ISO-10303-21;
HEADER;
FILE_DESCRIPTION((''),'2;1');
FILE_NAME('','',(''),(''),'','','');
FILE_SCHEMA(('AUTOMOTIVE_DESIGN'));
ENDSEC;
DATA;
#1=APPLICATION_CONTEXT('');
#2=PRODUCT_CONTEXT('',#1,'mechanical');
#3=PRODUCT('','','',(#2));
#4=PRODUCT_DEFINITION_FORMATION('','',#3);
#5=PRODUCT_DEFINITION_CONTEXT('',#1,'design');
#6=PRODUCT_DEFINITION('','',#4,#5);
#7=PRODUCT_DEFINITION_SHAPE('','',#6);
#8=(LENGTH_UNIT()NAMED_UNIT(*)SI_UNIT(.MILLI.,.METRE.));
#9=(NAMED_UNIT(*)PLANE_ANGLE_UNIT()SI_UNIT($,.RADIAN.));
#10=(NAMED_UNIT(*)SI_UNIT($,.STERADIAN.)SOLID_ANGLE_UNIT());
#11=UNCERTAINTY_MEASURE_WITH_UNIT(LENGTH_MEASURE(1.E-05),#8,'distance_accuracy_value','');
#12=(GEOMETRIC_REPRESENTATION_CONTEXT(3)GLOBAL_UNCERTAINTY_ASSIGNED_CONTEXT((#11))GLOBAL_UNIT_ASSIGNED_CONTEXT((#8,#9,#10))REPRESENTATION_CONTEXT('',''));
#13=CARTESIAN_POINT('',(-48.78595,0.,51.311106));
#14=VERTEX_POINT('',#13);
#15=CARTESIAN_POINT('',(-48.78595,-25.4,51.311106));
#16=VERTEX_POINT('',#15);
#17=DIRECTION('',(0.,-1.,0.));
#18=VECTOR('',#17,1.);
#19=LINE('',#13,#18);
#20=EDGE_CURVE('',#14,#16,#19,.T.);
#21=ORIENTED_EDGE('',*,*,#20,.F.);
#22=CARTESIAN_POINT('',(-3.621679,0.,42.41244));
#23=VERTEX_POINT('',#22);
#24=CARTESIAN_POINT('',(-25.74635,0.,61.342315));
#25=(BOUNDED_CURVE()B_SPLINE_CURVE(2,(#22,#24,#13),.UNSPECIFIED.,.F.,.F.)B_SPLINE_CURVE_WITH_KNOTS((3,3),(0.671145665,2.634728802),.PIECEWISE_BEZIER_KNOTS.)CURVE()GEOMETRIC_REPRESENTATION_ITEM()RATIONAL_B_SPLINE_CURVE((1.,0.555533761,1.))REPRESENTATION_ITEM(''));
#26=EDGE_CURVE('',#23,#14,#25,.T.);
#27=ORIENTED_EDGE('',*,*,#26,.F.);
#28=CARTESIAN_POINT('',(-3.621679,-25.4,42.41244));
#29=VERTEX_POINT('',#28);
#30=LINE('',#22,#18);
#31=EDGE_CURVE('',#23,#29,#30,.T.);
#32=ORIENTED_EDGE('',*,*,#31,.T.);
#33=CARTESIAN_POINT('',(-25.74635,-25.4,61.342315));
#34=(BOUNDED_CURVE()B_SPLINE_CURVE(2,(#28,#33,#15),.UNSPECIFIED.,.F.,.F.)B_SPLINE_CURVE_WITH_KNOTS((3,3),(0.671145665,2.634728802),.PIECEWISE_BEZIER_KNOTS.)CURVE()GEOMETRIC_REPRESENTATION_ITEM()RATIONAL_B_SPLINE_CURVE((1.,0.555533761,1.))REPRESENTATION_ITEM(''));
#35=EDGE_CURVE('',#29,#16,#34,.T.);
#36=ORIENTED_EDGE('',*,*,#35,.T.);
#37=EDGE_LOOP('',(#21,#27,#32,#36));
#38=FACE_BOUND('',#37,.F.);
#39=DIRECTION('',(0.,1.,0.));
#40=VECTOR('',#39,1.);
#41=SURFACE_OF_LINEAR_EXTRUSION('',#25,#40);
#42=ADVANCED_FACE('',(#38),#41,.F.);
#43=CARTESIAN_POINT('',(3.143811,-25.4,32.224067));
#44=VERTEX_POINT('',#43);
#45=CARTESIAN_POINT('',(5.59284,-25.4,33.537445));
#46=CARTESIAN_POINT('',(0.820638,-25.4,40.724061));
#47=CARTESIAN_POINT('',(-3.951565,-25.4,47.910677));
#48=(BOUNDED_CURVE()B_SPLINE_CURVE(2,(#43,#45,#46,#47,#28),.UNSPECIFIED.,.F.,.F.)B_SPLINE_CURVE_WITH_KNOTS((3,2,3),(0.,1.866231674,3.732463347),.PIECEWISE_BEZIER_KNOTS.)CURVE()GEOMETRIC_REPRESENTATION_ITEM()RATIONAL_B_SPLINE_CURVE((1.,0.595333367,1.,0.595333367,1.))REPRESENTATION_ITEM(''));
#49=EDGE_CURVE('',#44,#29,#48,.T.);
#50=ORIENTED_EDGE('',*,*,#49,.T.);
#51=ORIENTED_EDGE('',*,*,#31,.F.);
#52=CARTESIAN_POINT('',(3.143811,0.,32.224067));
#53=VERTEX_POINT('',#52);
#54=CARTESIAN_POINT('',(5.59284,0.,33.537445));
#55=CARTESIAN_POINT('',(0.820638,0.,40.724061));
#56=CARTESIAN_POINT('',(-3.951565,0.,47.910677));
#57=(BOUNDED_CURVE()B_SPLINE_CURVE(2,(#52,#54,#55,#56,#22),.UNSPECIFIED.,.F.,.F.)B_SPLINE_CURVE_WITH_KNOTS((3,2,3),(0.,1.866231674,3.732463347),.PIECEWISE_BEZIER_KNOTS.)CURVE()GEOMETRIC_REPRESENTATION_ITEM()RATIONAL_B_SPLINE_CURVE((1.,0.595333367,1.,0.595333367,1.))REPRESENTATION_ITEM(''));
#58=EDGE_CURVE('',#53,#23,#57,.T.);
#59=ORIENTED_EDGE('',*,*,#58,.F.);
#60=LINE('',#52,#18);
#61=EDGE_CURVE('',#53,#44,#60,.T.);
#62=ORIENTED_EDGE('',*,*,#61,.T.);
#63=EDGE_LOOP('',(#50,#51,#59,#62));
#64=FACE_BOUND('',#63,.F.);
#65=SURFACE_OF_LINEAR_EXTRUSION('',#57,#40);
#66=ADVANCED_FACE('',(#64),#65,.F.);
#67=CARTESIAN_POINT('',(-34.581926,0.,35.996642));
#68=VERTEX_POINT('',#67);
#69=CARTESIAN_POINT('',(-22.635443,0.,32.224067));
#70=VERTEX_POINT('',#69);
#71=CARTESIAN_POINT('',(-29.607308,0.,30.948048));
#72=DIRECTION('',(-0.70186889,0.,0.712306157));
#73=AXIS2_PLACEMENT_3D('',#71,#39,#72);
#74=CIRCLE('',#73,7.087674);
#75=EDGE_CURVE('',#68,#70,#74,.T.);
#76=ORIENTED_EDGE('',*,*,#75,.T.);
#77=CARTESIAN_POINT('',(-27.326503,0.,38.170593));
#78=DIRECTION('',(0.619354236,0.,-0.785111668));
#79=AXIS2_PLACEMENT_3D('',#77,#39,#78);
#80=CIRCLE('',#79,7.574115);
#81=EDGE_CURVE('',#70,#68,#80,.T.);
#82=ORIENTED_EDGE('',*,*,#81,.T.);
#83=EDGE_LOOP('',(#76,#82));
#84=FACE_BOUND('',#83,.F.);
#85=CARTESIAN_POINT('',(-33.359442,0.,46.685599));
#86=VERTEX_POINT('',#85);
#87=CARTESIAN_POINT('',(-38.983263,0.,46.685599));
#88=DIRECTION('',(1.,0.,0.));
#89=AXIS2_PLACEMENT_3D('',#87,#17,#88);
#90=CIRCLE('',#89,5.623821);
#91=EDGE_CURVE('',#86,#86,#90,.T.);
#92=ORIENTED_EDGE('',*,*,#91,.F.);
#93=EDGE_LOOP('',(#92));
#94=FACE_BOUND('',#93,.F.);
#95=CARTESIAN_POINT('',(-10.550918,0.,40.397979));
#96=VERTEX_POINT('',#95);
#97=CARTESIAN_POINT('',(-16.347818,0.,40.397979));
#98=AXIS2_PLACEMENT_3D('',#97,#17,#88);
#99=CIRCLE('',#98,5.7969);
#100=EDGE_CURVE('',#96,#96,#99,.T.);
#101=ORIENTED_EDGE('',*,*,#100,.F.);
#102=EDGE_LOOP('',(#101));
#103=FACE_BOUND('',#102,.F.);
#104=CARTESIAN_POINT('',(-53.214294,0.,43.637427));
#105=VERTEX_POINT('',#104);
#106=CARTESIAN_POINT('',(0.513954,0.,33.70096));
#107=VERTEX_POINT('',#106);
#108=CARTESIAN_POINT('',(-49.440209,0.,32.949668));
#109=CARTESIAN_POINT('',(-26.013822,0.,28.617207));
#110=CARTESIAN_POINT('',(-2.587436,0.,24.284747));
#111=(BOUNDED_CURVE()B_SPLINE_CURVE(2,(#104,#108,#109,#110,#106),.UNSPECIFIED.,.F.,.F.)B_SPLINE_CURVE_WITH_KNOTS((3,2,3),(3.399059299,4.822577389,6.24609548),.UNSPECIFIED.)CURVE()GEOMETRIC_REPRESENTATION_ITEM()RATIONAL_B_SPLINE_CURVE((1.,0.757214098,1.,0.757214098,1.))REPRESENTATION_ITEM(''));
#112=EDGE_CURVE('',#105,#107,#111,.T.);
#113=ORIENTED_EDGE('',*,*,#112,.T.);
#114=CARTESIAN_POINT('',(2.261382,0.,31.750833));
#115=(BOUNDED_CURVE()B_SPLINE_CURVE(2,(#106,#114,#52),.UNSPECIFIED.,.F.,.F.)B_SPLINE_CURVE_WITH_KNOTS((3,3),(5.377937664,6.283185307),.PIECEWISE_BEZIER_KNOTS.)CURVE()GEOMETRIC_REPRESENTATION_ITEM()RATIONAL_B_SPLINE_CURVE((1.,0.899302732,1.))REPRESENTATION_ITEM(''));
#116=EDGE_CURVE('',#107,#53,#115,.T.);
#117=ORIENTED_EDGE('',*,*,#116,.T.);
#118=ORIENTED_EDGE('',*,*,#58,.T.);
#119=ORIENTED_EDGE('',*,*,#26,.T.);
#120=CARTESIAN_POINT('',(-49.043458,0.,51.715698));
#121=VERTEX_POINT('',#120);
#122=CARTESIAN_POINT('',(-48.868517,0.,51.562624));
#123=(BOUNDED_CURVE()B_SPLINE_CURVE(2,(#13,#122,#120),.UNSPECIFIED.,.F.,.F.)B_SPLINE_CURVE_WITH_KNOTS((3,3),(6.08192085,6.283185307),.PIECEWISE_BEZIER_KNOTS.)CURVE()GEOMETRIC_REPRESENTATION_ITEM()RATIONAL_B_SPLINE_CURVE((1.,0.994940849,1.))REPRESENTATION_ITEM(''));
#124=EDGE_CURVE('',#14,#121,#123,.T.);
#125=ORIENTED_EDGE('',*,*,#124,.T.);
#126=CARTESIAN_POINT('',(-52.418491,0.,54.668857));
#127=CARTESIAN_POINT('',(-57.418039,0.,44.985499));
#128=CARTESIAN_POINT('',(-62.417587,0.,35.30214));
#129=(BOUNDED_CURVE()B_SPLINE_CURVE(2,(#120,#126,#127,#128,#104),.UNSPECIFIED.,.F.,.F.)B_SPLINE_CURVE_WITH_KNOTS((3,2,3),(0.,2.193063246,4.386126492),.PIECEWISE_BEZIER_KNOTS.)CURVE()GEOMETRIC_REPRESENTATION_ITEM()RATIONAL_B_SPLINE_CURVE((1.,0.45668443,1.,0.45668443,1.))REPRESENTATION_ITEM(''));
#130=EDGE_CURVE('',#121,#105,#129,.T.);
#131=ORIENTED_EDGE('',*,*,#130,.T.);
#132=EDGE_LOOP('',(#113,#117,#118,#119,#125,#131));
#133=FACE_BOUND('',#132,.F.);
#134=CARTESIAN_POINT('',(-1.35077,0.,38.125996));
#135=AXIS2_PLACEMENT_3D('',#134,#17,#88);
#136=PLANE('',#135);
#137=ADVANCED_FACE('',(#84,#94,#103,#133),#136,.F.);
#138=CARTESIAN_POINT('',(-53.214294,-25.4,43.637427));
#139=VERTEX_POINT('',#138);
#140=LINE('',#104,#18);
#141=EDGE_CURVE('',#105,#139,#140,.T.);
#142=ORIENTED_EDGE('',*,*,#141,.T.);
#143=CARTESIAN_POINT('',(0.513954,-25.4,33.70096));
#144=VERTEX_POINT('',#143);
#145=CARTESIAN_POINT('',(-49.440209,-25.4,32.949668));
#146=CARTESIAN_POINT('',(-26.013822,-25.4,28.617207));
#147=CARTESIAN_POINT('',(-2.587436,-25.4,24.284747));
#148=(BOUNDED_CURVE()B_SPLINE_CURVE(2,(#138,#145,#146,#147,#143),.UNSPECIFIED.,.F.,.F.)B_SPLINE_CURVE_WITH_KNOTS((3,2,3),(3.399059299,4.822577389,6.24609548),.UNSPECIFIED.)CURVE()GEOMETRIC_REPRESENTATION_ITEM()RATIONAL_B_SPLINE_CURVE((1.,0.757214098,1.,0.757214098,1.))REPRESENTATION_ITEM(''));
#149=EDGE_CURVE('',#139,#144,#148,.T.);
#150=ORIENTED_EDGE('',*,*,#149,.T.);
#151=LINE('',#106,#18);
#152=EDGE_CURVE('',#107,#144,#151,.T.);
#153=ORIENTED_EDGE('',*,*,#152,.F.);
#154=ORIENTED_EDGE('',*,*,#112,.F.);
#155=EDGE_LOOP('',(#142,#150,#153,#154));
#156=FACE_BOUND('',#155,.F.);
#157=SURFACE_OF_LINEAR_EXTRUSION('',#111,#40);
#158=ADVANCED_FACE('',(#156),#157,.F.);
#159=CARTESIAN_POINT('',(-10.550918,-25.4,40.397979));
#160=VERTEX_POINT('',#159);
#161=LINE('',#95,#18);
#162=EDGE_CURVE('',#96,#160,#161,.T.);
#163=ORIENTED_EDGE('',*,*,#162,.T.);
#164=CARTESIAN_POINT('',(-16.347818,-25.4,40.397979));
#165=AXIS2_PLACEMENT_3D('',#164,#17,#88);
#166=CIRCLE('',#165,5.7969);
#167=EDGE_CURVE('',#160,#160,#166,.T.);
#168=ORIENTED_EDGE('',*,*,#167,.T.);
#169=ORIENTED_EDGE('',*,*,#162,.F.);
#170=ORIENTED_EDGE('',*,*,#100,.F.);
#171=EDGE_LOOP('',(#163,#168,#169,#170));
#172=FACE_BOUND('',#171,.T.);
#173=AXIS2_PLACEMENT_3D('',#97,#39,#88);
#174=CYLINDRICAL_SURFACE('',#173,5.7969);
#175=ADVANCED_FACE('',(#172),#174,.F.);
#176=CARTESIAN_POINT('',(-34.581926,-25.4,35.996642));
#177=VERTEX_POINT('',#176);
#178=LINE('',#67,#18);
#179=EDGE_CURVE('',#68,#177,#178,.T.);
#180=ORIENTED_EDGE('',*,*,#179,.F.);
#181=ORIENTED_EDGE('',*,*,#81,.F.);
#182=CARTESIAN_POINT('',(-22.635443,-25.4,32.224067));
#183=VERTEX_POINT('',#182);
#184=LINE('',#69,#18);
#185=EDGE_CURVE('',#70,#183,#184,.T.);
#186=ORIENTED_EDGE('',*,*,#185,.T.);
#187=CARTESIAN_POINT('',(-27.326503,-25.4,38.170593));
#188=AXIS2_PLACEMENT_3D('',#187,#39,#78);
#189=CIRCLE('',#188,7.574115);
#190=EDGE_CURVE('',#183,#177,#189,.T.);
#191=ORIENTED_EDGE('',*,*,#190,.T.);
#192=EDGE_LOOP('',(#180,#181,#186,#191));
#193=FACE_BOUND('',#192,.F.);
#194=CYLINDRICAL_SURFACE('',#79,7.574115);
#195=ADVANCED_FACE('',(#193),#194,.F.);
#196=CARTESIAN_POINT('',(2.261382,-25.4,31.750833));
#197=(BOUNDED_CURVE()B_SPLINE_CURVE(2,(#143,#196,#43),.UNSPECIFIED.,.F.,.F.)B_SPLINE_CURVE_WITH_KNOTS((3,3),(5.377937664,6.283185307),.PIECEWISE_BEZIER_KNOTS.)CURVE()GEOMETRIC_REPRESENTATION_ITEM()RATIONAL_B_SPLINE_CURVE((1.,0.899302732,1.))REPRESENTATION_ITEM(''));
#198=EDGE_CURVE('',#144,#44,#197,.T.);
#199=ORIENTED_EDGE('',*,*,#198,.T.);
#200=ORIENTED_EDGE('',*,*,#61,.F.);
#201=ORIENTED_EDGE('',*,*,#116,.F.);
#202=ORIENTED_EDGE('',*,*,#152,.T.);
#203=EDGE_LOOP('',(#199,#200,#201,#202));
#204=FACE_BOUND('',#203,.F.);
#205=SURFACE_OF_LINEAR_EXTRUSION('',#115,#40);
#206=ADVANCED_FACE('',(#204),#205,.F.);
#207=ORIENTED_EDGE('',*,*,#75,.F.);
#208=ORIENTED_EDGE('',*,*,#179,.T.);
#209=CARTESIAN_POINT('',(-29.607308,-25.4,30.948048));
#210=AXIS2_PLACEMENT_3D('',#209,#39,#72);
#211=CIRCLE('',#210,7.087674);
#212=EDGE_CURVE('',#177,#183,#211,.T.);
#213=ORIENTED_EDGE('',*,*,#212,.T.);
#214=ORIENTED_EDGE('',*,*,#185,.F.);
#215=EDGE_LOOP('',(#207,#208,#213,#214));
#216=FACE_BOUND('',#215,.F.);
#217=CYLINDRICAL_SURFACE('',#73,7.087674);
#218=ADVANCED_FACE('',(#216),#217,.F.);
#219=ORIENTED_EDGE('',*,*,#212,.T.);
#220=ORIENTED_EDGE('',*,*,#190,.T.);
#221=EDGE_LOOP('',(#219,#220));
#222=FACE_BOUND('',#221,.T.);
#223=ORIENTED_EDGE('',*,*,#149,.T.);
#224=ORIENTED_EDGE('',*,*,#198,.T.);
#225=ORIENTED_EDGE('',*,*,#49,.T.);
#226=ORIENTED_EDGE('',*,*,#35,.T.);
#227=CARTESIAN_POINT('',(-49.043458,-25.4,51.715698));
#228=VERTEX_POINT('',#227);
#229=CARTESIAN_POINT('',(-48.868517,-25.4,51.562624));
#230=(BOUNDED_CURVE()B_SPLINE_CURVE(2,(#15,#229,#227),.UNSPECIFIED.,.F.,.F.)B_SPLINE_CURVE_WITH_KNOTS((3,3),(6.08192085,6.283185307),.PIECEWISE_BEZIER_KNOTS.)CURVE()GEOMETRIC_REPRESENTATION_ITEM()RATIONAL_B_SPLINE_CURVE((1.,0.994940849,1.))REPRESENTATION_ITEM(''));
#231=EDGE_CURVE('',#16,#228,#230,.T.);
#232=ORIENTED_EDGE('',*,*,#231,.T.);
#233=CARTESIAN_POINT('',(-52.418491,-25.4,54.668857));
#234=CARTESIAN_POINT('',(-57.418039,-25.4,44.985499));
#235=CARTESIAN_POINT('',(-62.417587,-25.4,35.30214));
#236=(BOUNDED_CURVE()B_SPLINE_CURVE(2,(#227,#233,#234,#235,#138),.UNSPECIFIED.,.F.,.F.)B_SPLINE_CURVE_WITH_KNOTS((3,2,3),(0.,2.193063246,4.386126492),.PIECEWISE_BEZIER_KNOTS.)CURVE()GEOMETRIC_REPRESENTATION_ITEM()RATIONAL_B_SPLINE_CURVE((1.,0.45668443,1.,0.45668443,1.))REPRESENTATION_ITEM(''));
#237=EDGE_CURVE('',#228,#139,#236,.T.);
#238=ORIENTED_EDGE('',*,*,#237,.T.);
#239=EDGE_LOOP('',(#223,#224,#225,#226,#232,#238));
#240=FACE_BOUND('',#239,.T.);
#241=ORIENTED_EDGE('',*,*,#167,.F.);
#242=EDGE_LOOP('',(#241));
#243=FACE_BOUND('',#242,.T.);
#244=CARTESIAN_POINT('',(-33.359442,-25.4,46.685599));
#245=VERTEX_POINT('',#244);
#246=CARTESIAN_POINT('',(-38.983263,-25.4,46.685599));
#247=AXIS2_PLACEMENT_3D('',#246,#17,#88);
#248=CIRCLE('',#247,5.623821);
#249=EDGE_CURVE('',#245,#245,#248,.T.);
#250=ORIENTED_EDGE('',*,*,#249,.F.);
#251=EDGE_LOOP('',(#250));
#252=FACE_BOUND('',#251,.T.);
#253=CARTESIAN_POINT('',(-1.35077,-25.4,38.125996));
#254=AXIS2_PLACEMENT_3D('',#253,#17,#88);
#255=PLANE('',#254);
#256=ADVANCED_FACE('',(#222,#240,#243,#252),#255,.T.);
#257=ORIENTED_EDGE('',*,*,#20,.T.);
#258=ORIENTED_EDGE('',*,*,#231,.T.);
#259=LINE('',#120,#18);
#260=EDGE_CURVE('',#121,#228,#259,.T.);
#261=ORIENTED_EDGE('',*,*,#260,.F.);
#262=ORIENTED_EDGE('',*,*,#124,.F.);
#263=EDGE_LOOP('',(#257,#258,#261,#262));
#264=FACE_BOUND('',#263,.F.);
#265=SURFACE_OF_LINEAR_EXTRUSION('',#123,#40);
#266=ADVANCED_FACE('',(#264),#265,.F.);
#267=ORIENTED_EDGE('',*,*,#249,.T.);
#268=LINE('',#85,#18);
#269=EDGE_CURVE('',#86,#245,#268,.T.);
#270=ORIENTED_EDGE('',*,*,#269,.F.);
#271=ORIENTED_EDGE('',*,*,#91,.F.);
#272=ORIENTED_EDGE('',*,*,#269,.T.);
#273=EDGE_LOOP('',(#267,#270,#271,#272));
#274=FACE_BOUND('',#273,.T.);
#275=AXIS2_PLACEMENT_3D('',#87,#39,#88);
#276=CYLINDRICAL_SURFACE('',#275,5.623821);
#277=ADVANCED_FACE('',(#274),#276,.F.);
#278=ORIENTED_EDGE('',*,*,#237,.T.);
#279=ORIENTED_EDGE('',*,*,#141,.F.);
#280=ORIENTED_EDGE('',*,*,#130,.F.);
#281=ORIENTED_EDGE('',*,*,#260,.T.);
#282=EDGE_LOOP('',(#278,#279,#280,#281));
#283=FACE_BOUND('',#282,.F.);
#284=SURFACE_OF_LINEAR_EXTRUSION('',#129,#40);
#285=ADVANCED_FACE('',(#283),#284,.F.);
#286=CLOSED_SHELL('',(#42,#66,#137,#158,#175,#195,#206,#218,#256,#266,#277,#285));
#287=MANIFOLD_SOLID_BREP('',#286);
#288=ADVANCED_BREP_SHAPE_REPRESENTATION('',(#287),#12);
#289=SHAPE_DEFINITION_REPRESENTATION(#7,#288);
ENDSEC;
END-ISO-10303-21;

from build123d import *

# Parameters (mm, degrees)
F0_R     = 5.623821154
F0_R_2   = 5.7969004421
F1_DEPTH = 25.4


with BuildPart() as f1:
    # F0 (on Front) → F1 (new body)
    with BuildSketch(Plane.XZ):
        with BuildLine():
            add(Edge.make_bspline(
                [(0.513953933, 33.7009599132), (0.5806385314, 33.9034228433), (0.6287617143, 34.110352397)],
                knots=[6.2460954795, 6.2460954795, 6.2460954795, 6.2831853072, 6.2831853072, 6.2831853072], degree=2, weights=[1, 0.999828048, 1]))
            add(Edge.make_bspline(
                [(0.6287617143, 34.110352397), (1.5336829013, 38.0015110013), (-3.6216792375, 42.4124403142)],
                knots=[0, 0, 0, 0.6711456646, 0.6711456646, 0.6711456646], degree=2, weights=[1, 0.9442218251, 1]))
            add(Edge.make_bspline(
                [(-3.6216792375, 42.4124403142), (-3.3582820184, 38.0223684233), (0.513953933, 33.7009599132)],
                knots=[3.7324633472, 3.7324633472, 3.7324633472, 5.3779376636, 5.3779376636, 5.3779376636], degree=2, weights=[1, 0.6802173924, 1]))
        make_face()
        with BuildLine():
            add(Edge.make_bspline(
                [(0.6287617143, 34.110352397), (1.5336829013, 38.0015110013), (-3.6216792375, 42.4124403142)],
                knots=[0, 0, 0, 0.6711456646, 0.6711456646, 0.6711456646], degree=2, weights=[1, 0.9442218251, 1]))
            add(Edge.make_bspline(
                [(0.513953933, 33.7009599132), (0.5806385314, 33.9034228433), (0.6287617143, 34.110352397)],
                knots=[6.2460954795, 6.2460954795, 6.2460954795, 6.2831853072, 6.2831853072, 6.2831853072], degree=2, weights=[1, 0.999828048, 1]))
            add(Edge.make_bspline(
                [(0.513953933, 33.7009599132), (2.261382433, 31.750832781), (3.1438113656, 32.2240665555)],
                knots=[5.3779376636, 5.3779376636, 5.3779376636, 6.2831853072, 6.2831853072, 6.2831853072], degree=2, weights=[1, 0.8993027321, 1]))
            add(Edge.make_bspline(
                [(3.1438113656, 32.2240665555), (5.5928402598, 33.5374450552), (0.8206378635, 40.7240608556), (-3.9515645328, 47.910676656), (-3.6216792375, 42.4124403142)],
                knots=[0, 0, 0, 1.8662316736, 1.8662316736, 3.7324633472, 3.7324633472, 3.7324633472], degree=2, weights=[1, 0.5953333674, 1, 0.5953333674, 1]))
        make_face()
        with BuildLine():
            add(Edge.make_bspline(
                [(-3.6216792375, 42.4124403142), (-3.3582820184, 38.0223684233), (0.513953933, 33.7009599132)],
                knots=[3.7324633472, 3.7324633472, 3.7324633472, 5.3779376636, 5.3779376636, 5.3779376636], degree=2, weights=[1, 0.6802173924, 1]))
            add(Edge.make_bspline(
                [(-3.6216792375, 42.4124403142), (-25.7463495836, 61.3423145573), (-48.7859496914, 51.3111059467)],
                knots=[0.6711456646, 0.6711456646, 0.6711456646, 2.6347288015, 2.6347288015, 2.6347288015], degree=2, weights=[1, 0.5555337607, 1]))
            add(Edge.make_bspline(
                [(-53.2142940351, 43.6374274334), (-47.8590594627, 48.487584817), (-48.7859496914, 51.3111059467)],
                knots=[4.3861264922, 4.3861264922, 4.3861264922, 6.08192085, 6.08192085, 6.08192085], degree=2, weights=[1, 0.6615614938, 1]))
            add(Edge.make_bspline(
                [(-53.2142940351, 43.6374274334), (-49.440208617, 32.9496682343), (-26.0138220852, 28.617207421), (-2.5874355533, 24.2847466077), (0.513953933, 33.7009599132)],
                knots=[3.3990592992, 3.3990592992, 3.3990592992, 4.8225773894, 4.8225773894, 6.2460954795, 6.2460954795, 6.2460954795], degree=2, weights=[1, 0.7572140983, 1, 0.7572140983, 1]))
        make_face()
        with BuildLine():
            ThreePointArc((-34.58192572, 35.9966419637), (-27.472985966, 37.7067308537), (-22.6354431361, 32.2240665555))
            ThreePointArc((-22.6354431361, 32.2240665555), (-29.6073079103, 30.9480482094), (-34.58192572, 35.9966419637))
        make_face(mode=Mode.SUBTRACT)
        with Locations((-38.9832630754, 46.6855987906)):
            Circle(F0_R, mode=Mode.SUBTRACT)
        with Locations((-16.3478180766, 40.3979793191)):
            Circle(F0_R_2, mode=Mode.SUBTRACT)
        with BuildLine():
            add(Edge.make_bspline(
                [(-53.2142940351, 43.6374274334), (-47.8590594627, 48.487584817), (-48.7859496914, 51.3111059467)],
                knots=[4.3861264922, 4.3861264922, 4.3861264922, 6.08192085, 6.08192085, 6.08192085], degree=2, weights=[1, 0.6615614938, 1]))
            add(Edge.make_bspline(
                [(-48.7859496914, 51.3111059467), (-54.9728329452, 48.6173996203), (-53.2142940351, 43.6374274334)],
                knots=[2.6347288015, 2.6347288015, 2.6347288015, 3.3990592992, 3.3990592992, 3.3990592992], degree=2, weights=[1, 0.9278593242, 1]))
        make_face()
        with BuildLine():
            add(Edge.make_bspline(
                [(-48.7859496914, 51.3111059467), (-54.9728329452, 48.6173996203), (-53.2142940351, 43.6374274334)],
                knots=[2.6347288015, 2.6347288015, 2.6347288015, 3.3990592992, 3.3990592992, 3.3990592992], degree=2, weights=[1, 0.9278593242, 1]))
            add(Edge.make_bspline(
                [(-48.7859496914, 51.3111059467), (-48.8685167863, 51.5626243357), (-49.0434579551, 51.7156980932)],
                knots=[6.08192085, 6.08192085, 6.08192085, 6.2831853072, 6.2831853072, 6.2831853072], degree=2, weights=[1, 0.9949408489, 1]))
            add(Edge.make_bspline(
                [(-49.0434579551, 51.7156980932), (-52.4184912193, 54.6688567297), (-57.4180389624, 44.9854985082), (-62.4175867056, 35.3021402867), (-53.2142940351, 43.6374274334)],
                knots=[0, 0, 0, 2.1930632461, 2.1930632461, 4.3861264922, 4.3861264922, 4.3861264922], degree=2, weights=[1, 0.45668443, 1, 0.45668443, 1]))
        make_face()
    extrude(amount=F1_DEPTH)


solid = f1.part
